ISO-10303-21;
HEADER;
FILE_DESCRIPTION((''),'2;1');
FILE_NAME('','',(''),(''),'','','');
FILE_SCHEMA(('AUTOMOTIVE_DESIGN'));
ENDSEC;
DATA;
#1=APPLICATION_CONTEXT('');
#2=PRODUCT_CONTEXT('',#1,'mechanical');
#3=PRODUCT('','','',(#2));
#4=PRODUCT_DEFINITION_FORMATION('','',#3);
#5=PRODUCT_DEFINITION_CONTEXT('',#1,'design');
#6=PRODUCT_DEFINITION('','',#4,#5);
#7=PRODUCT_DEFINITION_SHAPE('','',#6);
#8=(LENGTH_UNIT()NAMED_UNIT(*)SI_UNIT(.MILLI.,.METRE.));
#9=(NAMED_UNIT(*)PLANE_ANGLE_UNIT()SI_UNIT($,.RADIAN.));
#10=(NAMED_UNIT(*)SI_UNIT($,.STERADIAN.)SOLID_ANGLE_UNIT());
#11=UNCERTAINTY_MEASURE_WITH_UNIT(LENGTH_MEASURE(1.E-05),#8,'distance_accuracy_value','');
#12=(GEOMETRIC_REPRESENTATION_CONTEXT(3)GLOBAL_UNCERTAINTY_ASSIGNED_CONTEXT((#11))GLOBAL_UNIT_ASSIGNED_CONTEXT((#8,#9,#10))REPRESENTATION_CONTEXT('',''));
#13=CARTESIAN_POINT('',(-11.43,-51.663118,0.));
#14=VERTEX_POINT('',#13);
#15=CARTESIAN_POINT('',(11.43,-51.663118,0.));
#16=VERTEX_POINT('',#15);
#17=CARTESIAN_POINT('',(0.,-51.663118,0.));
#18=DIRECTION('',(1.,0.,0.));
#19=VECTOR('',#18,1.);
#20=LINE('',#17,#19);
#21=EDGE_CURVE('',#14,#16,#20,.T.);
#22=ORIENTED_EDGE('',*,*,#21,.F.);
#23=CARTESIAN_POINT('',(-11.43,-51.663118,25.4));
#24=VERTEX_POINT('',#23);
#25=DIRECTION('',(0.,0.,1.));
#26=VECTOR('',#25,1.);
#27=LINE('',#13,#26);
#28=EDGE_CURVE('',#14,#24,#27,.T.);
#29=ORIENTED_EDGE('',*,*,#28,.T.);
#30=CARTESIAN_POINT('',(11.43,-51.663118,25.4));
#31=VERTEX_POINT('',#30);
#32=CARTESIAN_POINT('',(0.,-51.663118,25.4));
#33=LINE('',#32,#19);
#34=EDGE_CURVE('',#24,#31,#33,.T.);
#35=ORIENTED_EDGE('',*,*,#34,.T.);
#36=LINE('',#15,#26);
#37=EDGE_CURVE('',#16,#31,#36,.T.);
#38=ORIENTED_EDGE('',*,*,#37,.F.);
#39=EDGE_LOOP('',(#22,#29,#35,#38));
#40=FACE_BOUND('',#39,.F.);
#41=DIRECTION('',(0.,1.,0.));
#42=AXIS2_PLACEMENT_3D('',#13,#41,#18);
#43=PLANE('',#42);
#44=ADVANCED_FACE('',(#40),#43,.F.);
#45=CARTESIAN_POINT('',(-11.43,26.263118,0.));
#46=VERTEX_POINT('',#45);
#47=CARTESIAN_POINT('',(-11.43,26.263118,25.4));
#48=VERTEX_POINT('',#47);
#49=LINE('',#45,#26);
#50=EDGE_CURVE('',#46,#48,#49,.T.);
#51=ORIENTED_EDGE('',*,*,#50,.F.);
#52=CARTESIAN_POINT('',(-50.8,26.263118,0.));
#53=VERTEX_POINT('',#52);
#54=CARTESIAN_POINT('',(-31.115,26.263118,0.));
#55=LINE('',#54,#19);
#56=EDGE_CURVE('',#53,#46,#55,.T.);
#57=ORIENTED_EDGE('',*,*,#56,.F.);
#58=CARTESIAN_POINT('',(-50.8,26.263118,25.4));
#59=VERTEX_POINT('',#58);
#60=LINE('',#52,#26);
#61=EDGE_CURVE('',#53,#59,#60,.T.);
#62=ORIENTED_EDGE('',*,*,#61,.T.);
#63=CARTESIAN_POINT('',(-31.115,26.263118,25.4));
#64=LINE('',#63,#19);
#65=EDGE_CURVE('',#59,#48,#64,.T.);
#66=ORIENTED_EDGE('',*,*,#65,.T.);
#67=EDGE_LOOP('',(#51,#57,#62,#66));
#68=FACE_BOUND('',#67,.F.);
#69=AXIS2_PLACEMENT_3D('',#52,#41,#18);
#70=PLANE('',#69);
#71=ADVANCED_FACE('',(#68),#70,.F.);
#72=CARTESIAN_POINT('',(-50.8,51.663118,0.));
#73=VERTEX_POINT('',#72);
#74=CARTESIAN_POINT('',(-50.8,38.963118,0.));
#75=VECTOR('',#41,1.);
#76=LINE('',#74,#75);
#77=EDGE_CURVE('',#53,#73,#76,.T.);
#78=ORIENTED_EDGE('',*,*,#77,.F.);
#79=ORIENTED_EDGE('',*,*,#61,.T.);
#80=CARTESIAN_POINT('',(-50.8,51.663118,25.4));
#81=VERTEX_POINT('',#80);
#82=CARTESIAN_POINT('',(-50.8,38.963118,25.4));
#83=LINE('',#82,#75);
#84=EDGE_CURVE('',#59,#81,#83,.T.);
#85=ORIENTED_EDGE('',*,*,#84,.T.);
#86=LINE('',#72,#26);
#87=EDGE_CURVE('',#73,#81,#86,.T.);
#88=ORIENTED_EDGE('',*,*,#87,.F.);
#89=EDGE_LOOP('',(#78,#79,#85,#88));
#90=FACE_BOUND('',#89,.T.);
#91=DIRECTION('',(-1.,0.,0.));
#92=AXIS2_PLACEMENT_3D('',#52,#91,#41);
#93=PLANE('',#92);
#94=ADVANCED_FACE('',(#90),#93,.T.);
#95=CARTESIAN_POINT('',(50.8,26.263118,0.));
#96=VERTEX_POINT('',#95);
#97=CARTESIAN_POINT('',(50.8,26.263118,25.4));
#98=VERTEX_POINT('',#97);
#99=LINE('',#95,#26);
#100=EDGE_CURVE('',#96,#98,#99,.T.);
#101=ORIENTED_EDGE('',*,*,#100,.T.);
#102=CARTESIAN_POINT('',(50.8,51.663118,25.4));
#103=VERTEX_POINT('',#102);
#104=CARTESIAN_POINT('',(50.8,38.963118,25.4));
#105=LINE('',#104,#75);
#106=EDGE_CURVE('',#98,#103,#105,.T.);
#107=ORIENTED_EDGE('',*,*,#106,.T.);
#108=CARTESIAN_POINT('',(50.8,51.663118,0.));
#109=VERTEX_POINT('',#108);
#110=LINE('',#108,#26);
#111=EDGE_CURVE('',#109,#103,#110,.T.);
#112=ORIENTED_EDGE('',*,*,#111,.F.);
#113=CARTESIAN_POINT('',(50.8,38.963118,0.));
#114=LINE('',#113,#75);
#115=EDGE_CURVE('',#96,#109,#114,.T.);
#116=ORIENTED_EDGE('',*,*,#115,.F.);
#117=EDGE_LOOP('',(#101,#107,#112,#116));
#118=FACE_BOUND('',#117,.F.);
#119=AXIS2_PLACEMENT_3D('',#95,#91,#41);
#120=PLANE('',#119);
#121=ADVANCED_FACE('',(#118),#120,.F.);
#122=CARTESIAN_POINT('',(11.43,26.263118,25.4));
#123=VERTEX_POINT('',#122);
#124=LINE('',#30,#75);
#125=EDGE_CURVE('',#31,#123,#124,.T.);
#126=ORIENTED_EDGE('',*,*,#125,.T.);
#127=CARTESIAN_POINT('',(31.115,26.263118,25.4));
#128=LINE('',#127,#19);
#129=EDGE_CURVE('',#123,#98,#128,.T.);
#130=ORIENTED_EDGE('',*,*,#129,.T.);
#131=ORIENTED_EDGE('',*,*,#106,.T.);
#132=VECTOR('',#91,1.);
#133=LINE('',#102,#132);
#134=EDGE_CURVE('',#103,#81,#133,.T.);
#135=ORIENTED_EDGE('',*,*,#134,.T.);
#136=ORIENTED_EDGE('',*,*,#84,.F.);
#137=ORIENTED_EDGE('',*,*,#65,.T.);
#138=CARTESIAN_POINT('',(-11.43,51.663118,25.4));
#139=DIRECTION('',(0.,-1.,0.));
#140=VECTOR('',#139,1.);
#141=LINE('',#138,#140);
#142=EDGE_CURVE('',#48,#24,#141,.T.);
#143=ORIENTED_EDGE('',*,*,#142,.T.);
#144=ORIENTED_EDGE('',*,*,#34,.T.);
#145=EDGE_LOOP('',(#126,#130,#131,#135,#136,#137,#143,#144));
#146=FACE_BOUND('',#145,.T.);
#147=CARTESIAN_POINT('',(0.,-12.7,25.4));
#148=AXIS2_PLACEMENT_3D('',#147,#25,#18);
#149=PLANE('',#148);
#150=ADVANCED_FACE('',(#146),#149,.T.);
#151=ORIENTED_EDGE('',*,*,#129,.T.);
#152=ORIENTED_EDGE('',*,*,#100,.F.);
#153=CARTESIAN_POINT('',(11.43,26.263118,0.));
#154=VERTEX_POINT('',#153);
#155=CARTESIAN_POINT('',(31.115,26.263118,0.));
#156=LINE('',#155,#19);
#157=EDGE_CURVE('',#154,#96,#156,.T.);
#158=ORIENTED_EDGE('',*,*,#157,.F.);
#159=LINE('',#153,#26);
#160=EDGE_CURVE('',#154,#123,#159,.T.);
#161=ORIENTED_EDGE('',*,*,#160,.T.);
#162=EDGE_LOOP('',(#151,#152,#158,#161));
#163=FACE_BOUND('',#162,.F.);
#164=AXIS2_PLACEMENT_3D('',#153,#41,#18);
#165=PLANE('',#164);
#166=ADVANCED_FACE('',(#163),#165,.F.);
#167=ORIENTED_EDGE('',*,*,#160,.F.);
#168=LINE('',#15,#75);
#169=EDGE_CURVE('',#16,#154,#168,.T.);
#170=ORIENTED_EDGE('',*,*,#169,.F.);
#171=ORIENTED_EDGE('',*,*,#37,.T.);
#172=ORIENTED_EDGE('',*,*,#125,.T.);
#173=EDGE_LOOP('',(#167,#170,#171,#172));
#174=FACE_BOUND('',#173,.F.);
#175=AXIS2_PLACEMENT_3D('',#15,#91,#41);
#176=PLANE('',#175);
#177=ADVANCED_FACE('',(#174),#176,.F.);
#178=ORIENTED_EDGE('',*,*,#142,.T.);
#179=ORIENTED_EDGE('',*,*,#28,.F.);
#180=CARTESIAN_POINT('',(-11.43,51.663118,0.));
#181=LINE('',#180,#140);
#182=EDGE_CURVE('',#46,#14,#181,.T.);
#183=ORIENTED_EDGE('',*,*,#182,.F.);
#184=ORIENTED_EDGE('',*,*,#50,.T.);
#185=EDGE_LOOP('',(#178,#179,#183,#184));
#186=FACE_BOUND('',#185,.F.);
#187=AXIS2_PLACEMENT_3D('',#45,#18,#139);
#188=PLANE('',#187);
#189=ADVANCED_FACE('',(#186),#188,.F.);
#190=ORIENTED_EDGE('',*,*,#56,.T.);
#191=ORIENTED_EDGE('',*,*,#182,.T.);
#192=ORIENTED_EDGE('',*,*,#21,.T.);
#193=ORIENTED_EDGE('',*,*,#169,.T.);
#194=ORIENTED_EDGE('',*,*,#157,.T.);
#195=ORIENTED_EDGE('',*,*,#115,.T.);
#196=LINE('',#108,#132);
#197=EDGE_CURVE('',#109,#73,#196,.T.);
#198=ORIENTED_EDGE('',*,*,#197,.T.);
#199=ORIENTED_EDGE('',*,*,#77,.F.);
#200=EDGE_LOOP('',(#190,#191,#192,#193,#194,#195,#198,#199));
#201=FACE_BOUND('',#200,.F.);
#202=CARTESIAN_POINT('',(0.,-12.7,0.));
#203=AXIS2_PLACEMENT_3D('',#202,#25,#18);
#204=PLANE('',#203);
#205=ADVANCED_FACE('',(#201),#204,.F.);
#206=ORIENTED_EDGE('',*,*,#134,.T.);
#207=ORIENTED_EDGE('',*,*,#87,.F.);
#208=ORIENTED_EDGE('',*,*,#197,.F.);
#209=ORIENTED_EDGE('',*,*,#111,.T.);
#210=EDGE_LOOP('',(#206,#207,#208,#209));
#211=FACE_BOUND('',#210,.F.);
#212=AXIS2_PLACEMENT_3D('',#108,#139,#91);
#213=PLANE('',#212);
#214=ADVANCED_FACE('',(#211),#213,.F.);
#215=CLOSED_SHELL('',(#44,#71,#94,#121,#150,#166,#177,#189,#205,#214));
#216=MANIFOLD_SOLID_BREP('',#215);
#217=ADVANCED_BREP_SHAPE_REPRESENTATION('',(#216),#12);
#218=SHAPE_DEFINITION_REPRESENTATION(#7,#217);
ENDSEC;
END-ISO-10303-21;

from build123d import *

# Parameters (mm, degrees)
F0_W     = 22.86
F0_H     = 77.926236
F0_H_2   = 25.4
F0_W_2   = 39.37
F1_DEPTH = 25.4


with BuildPart() as f1:
    # F0 (on Top) → F1 (new body)
    with BuildSketch(Plane.XY):
        with Locations((0, -12.7)):
            Rectangle(F0_W, F0_H)
        with Locations((0, 38.963118)):
            Rectangle(F0_W, F0_H_2)
        with Locations((31.115, 38.963118)):
            Rectangle(F0_W_2, F0_H_2)
        with Locations((-31.115, 38.963118)):
            Rectangle(F0_W_2, F0_H_2)
    extrude(amount=F1_DEPTH)


solid = f1.part
